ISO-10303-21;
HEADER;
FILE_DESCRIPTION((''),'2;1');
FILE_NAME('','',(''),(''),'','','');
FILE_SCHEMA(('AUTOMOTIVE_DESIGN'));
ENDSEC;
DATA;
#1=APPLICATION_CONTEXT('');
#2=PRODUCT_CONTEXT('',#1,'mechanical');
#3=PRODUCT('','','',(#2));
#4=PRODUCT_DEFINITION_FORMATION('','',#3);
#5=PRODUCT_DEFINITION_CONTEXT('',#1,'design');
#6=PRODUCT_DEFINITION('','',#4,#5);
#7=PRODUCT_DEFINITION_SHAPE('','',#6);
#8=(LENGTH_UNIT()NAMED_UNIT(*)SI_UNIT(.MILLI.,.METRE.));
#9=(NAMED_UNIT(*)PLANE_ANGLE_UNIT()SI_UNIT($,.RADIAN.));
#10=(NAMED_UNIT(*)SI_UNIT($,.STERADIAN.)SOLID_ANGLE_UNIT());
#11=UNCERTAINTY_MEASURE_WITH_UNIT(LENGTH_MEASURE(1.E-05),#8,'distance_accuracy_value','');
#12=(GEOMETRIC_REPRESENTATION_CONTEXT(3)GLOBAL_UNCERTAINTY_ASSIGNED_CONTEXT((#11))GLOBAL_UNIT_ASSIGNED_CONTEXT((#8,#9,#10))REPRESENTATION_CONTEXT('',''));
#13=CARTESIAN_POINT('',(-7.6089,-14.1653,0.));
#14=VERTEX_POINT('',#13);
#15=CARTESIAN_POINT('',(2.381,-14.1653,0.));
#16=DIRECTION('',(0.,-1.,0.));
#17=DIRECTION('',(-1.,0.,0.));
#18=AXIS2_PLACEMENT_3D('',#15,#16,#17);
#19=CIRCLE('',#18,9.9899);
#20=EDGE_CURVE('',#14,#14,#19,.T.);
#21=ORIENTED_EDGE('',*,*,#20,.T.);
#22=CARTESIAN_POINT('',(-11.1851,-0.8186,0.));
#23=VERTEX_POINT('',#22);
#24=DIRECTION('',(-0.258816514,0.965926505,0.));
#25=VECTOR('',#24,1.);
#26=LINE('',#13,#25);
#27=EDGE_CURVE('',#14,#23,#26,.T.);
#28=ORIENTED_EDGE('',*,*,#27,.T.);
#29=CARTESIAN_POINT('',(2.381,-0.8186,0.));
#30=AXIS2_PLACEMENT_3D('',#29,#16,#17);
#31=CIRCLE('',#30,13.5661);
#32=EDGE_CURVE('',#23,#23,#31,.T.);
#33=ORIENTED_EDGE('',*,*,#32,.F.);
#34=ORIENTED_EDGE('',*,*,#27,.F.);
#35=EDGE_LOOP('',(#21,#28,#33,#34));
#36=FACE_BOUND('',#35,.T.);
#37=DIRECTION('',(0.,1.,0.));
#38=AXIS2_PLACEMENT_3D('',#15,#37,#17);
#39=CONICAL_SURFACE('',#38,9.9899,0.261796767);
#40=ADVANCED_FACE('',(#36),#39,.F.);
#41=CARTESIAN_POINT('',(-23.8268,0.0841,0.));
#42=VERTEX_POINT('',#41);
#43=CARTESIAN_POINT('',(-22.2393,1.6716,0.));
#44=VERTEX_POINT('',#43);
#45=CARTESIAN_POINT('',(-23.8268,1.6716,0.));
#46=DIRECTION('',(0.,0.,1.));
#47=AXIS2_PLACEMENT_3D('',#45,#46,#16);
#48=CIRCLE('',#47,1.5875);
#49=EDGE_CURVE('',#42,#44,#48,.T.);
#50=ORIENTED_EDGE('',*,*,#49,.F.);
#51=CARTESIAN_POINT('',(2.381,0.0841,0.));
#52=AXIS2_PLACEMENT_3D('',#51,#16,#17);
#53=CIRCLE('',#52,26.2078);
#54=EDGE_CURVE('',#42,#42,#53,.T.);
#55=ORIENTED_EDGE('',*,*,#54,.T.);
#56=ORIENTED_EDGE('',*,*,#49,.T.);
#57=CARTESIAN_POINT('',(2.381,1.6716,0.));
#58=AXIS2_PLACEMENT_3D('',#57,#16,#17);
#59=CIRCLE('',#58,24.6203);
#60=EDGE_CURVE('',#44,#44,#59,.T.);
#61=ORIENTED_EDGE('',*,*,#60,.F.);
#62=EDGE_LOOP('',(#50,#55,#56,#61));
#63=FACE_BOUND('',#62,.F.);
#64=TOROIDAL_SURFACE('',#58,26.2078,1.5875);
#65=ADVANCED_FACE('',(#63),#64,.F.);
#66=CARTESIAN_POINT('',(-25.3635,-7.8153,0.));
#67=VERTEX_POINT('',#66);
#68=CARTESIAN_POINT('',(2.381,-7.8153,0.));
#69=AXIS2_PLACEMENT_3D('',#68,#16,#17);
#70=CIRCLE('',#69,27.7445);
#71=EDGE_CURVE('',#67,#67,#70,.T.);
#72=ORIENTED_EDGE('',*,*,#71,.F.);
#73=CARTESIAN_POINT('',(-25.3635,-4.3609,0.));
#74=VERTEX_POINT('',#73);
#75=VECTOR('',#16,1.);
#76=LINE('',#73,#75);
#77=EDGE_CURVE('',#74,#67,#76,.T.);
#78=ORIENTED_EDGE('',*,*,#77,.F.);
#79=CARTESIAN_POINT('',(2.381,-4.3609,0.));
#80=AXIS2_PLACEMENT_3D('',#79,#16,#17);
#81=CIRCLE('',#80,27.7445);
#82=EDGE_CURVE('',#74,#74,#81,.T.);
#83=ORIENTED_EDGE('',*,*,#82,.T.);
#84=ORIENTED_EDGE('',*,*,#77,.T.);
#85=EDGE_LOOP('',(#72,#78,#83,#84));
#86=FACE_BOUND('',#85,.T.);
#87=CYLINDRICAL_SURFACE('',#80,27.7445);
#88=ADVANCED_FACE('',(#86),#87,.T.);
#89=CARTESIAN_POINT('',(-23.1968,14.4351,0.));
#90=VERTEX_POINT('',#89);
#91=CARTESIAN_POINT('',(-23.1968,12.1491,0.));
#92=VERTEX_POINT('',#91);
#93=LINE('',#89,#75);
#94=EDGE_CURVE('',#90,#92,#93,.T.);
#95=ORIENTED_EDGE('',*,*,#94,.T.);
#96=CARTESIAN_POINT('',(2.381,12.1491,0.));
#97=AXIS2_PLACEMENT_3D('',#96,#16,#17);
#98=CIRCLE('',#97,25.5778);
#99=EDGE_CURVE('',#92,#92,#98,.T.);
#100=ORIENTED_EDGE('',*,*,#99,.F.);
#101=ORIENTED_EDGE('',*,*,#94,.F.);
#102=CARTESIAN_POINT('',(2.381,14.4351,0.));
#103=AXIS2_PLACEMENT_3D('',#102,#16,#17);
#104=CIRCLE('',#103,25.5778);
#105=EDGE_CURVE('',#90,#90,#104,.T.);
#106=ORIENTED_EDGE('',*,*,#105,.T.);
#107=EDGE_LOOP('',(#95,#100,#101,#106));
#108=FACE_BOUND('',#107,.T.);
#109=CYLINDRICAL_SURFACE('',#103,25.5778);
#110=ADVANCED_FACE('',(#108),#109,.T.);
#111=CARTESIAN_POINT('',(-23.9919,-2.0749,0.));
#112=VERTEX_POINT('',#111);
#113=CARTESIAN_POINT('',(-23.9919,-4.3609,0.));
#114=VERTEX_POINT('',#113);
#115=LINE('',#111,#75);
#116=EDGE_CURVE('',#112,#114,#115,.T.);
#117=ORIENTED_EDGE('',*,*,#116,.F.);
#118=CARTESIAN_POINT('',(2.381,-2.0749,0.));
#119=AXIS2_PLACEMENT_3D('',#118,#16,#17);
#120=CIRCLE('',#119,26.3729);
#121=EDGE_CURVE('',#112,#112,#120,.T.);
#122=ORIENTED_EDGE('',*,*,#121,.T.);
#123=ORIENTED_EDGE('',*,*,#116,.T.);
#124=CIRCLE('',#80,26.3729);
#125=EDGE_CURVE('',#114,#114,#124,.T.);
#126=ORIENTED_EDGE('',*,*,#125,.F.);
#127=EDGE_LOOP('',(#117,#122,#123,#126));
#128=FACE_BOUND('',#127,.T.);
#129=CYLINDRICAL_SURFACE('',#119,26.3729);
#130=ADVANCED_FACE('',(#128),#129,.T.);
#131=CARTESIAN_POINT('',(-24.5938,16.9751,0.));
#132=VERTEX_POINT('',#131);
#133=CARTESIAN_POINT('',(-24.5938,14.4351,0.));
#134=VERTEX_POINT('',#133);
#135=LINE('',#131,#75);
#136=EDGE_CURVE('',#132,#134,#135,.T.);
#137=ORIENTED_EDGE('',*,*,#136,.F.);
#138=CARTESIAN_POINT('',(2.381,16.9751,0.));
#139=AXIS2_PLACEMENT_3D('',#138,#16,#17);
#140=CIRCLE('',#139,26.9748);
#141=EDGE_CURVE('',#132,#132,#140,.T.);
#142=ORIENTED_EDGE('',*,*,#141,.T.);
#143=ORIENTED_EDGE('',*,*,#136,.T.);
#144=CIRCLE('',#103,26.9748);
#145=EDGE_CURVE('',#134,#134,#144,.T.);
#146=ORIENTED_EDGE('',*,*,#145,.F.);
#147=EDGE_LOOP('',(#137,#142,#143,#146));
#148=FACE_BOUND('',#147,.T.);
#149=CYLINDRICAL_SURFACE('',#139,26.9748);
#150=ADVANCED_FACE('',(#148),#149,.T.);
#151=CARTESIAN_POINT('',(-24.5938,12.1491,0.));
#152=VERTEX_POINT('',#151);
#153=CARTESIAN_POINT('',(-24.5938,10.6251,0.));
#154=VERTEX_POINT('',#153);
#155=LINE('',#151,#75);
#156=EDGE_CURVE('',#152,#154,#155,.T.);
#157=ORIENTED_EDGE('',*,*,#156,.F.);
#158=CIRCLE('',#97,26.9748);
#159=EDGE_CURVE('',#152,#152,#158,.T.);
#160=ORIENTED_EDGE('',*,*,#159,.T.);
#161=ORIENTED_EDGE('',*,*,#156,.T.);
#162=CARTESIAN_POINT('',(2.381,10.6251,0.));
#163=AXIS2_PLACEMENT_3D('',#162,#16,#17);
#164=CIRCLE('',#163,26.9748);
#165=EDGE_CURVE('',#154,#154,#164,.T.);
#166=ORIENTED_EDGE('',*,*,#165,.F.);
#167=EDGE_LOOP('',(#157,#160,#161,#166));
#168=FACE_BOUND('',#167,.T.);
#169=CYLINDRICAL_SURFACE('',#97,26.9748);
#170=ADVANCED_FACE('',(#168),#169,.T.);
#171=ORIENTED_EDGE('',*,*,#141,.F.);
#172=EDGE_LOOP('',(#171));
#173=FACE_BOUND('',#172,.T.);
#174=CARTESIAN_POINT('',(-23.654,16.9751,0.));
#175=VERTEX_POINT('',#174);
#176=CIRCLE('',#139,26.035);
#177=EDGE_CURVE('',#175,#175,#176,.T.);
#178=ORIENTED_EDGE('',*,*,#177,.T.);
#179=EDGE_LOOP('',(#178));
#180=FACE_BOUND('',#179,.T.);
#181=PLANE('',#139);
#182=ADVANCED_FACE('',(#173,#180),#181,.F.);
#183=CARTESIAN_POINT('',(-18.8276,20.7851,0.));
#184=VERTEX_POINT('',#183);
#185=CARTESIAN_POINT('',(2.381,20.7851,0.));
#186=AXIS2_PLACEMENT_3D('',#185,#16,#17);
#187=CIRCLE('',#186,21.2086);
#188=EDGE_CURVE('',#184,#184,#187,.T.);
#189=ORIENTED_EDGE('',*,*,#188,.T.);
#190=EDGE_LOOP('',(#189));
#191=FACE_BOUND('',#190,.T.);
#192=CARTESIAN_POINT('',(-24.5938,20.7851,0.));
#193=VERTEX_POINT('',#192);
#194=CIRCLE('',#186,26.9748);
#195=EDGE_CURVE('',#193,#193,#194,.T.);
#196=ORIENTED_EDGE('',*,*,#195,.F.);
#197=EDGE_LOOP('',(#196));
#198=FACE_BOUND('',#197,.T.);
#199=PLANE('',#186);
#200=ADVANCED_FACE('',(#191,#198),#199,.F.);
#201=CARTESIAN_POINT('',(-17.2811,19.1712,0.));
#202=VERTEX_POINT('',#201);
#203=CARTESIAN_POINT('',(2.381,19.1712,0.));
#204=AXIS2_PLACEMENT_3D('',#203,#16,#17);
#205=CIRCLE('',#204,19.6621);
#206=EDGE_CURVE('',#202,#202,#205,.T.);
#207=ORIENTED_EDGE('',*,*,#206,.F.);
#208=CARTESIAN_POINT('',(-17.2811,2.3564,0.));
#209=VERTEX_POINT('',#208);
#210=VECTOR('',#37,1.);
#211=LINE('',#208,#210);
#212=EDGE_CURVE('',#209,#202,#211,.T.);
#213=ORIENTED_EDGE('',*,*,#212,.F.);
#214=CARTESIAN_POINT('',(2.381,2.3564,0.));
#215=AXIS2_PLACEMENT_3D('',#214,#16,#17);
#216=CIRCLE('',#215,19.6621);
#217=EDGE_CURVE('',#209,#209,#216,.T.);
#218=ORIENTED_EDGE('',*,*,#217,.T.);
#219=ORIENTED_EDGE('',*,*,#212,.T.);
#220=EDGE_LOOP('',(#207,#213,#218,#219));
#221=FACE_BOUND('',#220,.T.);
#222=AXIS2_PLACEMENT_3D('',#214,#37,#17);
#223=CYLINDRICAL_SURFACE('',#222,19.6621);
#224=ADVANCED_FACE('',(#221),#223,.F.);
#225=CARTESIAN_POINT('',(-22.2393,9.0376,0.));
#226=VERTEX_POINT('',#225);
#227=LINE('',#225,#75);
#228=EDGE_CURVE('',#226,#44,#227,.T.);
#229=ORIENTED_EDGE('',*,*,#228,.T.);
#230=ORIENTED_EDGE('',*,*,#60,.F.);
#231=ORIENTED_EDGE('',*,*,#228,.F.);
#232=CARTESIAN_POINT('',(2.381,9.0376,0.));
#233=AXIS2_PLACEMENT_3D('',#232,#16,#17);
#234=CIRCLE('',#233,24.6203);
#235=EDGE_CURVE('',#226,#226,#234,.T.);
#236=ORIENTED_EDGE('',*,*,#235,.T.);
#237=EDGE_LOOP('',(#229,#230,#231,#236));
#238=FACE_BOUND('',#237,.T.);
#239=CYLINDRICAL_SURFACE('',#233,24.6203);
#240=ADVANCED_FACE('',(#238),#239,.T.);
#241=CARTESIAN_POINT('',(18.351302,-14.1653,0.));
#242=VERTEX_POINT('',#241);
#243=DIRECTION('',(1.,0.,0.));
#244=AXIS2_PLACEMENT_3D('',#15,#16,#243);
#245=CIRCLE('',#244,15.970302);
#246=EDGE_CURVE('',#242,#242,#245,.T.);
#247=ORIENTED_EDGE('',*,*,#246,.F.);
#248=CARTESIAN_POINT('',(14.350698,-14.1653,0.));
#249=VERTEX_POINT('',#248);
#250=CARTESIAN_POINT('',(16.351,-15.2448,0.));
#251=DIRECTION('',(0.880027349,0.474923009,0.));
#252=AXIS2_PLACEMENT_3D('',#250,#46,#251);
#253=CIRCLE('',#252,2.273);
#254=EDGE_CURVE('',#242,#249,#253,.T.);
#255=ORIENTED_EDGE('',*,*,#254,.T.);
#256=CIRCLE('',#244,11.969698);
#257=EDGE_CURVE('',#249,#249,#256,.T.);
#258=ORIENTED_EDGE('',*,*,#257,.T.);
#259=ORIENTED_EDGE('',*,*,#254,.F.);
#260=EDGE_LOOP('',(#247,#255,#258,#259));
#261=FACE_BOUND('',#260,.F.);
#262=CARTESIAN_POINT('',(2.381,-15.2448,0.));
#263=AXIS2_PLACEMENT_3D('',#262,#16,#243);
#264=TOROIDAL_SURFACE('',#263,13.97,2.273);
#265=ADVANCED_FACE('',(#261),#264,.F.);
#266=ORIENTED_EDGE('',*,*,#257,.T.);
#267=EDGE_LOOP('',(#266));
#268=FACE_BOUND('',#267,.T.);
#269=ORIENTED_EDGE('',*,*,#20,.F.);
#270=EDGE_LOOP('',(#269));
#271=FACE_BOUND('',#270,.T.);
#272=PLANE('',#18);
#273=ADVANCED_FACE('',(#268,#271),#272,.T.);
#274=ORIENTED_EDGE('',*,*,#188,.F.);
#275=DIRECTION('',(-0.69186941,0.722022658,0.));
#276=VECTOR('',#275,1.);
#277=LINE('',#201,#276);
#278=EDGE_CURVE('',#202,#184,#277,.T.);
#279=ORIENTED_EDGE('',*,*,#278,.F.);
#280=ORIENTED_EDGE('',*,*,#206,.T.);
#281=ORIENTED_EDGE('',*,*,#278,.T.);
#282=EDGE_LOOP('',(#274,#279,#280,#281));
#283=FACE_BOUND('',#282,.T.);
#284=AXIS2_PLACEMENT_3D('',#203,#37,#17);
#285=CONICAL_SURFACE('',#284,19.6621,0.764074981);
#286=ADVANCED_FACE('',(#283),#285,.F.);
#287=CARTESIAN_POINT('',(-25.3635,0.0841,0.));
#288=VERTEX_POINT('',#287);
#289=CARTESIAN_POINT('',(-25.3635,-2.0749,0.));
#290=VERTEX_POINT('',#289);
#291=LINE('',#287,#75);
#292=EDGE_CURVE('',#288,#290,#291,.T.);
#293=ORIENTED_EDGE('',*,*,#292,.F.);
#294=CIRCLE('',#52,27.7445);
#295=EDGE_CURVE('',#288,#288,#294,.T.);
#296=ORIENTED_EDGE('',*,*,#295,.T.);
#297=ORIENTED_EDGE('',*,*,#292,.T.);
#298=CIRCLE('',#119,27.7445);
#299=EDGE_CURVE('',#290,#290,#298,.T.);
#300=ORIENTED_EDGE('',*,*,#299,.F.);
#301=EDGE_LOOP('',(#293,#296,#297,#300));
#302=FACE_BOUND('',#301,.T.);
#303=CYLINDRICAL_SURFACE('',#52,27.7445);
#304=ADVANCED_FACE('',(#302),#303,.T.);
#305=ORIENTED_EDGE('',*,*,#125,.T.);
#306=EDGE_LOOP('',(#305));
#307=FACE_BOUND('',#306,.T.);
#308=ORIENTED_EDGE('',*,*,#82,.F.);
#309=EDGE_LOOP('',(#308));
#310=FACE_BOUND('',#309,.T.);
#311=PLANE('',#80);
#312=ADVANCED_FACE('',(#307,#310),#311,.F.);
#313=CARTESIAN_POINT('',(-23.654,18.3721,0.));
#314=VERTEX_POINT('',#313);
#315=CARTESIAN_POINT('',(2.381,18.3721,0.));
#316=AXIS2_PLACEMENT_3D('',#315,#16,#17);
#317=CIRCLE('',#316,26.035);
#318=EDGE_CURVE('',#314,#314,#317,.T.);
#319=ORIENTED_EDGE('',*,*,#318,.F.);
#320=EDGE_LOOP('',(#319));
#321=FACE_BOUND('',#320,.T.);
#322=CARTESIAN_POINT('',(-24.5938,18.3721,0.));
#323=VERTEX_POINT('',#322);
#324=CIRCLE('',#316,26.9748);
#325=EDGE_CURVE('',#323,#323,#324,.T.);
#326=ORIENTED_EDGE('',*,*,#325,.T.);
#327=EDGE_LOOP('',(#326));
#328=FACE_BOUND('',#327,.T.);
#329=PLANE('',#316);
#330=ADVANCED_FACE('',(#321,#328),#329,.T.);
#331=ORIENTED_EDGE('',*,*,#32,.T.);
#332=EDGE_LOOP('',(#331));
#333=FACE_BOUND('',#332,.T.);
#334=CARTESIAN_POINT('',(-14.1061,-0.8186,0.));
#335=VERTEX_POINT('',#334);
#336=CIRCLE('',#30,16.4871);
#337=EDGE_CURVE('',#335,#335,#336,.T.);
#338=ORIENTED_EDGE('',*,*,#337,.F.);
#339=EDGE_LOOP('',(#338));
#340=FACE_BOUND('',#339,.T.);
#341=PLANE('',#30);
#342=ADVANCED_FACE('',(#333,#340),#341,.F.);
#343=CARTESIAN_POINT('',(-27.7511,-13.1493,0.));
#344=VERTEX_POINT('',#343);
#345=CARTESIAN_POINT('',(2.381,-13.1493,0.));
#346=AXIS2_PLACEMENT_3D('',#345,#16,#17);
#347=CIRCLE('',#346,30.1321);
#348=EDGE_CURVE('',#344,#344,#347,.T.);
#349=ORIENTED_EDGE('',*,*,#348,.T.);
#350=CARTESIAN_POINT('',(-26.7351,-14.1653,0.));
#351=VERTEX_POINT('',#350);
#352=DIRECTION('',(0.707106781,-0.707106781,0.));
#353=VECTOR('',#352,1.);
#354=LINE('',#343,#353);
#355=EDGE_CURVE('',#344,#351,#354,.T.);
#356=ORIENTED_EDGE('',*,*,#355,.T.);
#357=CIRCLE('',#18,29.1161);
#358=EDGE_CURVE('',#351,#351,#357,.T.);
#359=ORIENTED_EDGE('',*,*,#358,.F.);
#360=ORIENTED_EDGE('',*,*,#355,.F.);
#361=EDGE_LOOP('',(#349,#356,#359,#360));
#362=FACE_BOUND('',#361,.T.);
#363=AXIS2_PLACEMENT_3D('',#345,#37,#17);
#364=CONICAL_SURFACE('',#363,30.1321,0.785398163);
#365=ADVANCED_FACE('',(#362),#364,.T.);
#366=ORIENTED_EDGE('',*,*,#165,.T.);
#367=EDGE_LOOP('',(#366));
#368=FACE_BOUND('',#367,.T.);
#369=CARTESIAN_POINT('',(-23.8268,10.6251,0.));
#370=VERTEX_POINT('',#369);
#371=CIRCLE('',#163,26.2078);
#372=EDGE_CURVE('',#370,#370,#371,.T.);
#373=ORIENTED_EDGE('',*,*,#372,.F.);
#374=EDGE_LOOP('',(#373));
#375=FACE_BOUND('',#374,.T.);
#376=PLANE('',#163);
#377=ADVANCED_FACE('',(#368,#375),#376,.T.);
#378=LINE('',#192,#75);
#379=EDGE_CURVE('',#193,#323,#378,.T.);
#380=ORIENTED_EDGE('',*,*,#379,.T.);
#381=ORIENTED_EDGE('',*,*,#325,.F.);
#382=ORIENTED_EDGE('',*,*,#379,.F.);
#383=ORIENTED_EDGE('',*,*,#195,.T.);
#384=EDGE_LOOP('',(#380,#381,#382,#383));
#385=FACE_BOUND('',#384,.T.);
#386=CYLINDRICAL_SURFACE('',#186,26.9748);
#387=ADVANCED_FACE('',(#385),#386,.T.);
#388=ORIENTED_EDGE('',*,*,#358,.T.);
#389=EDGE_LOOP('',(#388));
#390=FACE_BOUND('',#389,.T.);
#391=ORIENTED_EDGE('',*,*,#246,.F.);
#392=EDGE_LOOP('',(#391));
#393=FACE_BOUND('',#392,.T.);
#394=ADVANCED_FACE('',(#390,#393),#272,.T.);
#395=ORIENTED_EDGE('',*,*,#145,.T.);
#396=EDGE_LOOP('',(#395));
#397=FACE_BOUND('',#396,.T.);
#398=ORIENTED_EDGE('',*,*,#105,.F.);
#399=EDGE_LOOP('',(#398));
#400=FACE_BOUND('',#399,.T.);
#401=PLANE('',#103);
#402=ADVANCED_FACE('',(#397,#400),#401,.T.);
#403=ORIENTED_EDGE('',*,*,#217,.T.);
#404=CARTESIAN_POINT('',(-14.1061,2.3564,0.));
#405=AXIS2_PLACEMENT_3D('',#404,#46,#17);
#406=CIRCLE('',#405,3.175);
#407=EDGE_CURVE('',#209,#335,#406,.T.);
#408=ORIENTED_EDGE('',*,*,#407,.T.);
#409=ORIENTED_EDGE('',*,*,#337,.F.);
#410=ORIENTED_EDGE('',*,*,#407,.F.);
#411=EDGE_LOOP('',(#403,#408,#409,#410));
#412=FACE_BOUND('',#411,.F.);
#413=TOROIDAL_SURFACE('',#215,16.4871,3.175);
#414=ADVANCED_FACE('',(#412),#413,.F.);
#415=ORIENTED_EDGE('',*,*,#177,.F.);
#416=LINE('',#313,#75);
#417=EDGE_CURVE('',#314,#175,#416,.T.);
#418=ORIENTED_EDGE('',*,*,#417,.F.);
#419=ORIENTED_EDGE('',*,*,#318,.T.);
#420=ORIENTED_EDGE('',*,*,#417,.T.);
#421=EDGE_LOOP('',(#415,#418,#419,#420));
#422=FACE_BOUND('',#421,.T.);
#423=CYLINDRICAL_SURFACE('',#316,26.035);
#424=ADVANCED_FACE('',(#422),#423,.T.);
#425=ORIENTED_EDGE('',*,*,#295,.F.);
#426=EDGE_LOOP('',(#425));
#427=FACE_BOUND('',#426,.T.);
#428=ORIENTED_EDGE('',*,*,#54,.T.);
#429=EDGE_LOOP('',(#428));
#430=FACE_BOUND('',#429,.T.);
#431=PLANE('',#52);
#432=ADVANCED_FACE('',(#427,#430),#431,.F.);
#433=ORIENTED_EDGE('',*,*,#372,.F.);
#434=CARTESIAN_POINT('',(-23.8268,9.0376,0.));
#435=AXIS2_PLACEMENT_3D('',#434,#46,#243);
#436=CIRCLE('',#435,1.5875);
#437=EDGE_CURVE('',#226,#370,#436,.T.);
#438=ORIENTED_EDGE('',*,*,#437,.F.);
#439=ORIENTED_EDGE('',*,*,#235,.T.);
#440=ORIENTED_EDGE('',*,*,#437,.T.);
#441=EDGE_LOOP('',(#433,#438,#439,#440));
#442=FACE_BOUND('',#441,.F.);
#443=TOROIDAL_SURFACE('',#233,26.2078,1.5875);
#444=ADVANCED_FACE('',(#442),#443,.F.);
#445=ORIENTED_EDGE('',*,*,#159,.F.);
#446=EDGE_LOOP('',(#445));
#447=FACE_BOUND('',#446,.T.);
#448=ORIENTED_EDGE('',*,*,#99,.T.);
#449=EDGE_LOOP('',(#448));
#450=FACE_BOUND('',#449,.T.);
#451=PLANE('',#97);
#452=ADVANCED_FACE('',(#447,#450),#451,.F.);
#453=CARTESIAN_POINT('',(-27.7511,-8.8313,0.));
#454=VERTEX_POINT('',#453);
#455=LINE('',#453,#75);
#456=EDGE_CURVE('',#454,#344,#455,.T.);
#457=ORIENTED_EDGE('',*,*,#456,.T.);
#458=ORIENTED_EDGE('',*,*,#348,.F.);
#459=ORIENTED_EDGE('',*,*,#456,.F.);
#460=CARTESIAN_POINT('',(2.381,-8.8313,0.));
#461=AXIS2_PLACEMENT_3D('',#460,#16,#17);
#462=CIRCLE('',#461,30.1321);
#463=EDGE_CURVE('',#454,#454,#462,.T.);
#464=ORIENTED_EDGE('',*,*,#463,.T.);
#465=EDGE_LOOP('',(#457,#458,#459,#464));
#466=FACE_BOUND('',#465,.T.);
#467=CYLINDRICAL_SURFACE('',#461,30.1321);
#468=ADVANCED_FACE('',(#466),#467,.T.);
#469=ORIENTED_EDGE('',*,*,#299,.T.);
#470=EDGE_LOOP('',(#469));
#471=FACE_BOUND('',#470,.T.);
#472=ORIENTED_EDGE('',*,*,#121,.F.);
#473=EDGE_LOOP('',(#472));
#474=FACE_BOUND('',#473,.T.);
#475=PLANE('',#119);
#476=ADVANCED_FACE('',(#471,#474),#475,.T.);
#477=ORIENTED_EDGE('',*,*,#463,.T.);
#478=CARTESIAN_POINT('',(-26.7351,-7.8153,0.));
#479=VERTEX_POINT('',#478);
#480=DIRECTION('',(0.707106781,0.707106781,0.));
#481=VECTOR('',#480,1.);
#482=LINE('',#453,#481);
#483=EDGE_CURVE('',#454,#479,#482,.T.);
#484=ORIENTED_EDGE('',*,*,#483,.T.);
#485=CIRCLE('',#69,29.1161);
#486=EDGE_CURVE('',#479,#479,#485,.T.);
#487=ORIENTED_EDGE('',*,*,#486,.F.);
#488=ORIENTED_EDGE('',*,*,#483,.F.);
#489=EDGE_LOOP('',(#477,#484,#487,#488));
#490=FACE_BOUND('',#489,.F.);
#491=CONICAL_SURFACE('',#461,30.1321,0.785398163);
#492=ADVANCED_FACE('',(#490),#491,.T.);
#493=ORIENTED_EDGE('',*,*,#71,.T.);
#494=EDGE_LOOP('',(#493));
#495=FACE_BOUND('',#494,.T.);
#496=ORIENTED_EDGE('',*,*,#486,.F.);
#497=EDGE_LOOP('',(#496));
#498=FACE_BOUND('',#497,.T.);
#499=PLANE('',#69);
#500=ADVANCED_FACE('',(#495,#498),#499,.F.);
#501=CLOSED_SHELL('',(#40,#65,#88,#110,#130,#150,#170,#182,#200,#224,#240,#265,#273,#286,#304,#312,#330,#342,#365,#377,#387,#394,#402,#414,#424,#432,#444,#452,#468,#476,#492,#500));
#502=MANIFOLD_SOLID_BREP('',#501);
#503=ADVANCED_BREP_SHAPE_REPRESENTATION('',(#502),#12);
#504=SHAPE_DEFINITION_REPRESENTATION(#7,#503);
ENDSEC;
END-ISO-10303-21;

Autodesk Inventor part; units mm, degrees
ref_plane "YZ Plane" through (0, 0, 0) normal (1, 0, 0) x (0, 1, 0)
sketch "Sketch1" plane through (0, 0, 0) normal (0, 0, 1) x (1, 0, 0)
  line L0 (2.381, 29.408) -> (2.381, -22.2008)
  line L1 (-18.8276, 20.7851) -> (-24.5938, 20.7851)
  line L2 (-24.5938, 20.7851) -> (-24.5938, 18.3721)
  line L3 (-24.5938, 18.3721) -> (-23.654, 18.3721)
  line L4 (-23.654, 18.3721) -> (-23.654, 16.9751)
  line L5 (-23.654, 16.9751) -> (-24.5938, 16.9751)
  line L6 (-24.5938, 16.9751) -> (-24.5938, 14.4351)
  line L7 (-24.5938, 14.4351) -> (-23.1968, 14.4351)
  line L8 (-23.1968, 14.4351) -> (-23.1968, 12.1491)
  line L9 (-23.1968, 12.1491) -> (-24.5938, 12.1491)
  line L10 (-24.5938, 12.1491) -> (-24.5938, 10.6251)
  line L11 (-24.5938, 10.6251) -> (-23.8268, 10.6251)
  line L12 (-22.2393, 9.0376) -> (-22.2393, 1.6716)
  line L13 (-23.8268, 0.0841) -> (-25.3635, 0.0841)
  line L14 (-25.3635, 0.0841) -> (-25.3635, -2.0749)
  line L15 (-25.3635, -2.0749) -> (-23.9919, -2.0749)
  line L16 (-23.9919, -2.0749) -> (-23.9919, -4.3609)
  line L17 (-23.9919, -4.3609) -> (-25.3635, -4.3609)
  line L18 (-25.3635, -4.3609) -> (-25.3635, -7.8153)
  line L19 (-25.3635, -7.8153) -> (-26.7351, -7.8153)
  line L20 (-27.7511, -8.8313) -> (-27.7511, -13.1493)
  line L21 (-26.7351, -14.1653) -> (-7.6089, -14.1653)
  line L22 (-7.6089, -14.1653) -> (-11.1851, -0.8186)
  line L23 (-11.1851, -0.8186) -> (-14.1061, -0.8186)
  line L24 (-17.2811, 2.3564) -> (-17.2811, 19.1712)
  line L25 (-17.2811, 19.1712) -> (-18.8276, 20.7851)
  arc A0 (-17.2811, 2.3564) -> (-14.1061, -0.8186) centre (-14.1061, 2.3564) ccw
  arc A1 (-22.2393, 9.0376) -> (-23.8268, 10.6251) centre (-23.8268, 9.0376) ccw
  arc A2 (-23.8268, 0.0841) -> (-22.2393, 1.6716) centre (-23.8268, 1.6716) ccw
  line L26 (-27.7511, -8.8313) -> (-26.7351, -7.8153)
  line L27 (-27.7511, -13.1493) -> (-26.7351, -14.1653)
  point P0 (-27.7511, -7.8153)
  point P1 (-27.7511, -14.1653)
  dimension "d0" = 3.175
  dimension "d1" = 1.5875
  dimension "d2" = 1.016
  dimension "d3" = 1.016
  dimension "d4" = 1.016
  dimension "d5" = 1.016
revolve "Revolution1" add sketch "Sketch1" angle 360 about axis through (2.381, 29.408, 0) along (0, -1, 0)
ref_plane "Work Plane1" through (2.381, -7.4919, 0) normal (0, 0, -1) x (0, 1, 0)
ref_plane "Work Plane2" through (2.381, -7.4919, 0) normal (1, 0, 0) x (0, 1, 0)
sketch "Sketch2" plane through (2.381, -14.1653, 0) normal (0, -1, 0) x (1, 0, 0)
  circle A0 centre (0, 0) radius 9.9898 projected
  circle A1 centre (0, 0) radius 13.97
  line L0 (48.2112, 0) -> (-36.1584, 0) projected
  dimension "d7" = 27.94
sketch "Sketch3" plane through (2.381, -7.4919, 0) normal (0, 0, -1) x (0, 1, 0)
  line L0 (-10.1684, 0) -> (38.7621, 0) projected
  line L1 (-6.6734, -29.116) -> (-6.6734, 29.116) projected
  circle A0 centre (-7.7529, -13.97) radius 2.273
  line L2 (-10.1684, 0) -> (38.7621, 0) projected
  dimension "d9" = 1.0795
  dimension "d10" = 13.97
sweep "Sweep1" cut profiles "Sketch3" path "Sketch2" path curves A1
equation "\"d4\" = d2"
equation "\"d5\" = d3"
properties part number "Cavity-middle"
